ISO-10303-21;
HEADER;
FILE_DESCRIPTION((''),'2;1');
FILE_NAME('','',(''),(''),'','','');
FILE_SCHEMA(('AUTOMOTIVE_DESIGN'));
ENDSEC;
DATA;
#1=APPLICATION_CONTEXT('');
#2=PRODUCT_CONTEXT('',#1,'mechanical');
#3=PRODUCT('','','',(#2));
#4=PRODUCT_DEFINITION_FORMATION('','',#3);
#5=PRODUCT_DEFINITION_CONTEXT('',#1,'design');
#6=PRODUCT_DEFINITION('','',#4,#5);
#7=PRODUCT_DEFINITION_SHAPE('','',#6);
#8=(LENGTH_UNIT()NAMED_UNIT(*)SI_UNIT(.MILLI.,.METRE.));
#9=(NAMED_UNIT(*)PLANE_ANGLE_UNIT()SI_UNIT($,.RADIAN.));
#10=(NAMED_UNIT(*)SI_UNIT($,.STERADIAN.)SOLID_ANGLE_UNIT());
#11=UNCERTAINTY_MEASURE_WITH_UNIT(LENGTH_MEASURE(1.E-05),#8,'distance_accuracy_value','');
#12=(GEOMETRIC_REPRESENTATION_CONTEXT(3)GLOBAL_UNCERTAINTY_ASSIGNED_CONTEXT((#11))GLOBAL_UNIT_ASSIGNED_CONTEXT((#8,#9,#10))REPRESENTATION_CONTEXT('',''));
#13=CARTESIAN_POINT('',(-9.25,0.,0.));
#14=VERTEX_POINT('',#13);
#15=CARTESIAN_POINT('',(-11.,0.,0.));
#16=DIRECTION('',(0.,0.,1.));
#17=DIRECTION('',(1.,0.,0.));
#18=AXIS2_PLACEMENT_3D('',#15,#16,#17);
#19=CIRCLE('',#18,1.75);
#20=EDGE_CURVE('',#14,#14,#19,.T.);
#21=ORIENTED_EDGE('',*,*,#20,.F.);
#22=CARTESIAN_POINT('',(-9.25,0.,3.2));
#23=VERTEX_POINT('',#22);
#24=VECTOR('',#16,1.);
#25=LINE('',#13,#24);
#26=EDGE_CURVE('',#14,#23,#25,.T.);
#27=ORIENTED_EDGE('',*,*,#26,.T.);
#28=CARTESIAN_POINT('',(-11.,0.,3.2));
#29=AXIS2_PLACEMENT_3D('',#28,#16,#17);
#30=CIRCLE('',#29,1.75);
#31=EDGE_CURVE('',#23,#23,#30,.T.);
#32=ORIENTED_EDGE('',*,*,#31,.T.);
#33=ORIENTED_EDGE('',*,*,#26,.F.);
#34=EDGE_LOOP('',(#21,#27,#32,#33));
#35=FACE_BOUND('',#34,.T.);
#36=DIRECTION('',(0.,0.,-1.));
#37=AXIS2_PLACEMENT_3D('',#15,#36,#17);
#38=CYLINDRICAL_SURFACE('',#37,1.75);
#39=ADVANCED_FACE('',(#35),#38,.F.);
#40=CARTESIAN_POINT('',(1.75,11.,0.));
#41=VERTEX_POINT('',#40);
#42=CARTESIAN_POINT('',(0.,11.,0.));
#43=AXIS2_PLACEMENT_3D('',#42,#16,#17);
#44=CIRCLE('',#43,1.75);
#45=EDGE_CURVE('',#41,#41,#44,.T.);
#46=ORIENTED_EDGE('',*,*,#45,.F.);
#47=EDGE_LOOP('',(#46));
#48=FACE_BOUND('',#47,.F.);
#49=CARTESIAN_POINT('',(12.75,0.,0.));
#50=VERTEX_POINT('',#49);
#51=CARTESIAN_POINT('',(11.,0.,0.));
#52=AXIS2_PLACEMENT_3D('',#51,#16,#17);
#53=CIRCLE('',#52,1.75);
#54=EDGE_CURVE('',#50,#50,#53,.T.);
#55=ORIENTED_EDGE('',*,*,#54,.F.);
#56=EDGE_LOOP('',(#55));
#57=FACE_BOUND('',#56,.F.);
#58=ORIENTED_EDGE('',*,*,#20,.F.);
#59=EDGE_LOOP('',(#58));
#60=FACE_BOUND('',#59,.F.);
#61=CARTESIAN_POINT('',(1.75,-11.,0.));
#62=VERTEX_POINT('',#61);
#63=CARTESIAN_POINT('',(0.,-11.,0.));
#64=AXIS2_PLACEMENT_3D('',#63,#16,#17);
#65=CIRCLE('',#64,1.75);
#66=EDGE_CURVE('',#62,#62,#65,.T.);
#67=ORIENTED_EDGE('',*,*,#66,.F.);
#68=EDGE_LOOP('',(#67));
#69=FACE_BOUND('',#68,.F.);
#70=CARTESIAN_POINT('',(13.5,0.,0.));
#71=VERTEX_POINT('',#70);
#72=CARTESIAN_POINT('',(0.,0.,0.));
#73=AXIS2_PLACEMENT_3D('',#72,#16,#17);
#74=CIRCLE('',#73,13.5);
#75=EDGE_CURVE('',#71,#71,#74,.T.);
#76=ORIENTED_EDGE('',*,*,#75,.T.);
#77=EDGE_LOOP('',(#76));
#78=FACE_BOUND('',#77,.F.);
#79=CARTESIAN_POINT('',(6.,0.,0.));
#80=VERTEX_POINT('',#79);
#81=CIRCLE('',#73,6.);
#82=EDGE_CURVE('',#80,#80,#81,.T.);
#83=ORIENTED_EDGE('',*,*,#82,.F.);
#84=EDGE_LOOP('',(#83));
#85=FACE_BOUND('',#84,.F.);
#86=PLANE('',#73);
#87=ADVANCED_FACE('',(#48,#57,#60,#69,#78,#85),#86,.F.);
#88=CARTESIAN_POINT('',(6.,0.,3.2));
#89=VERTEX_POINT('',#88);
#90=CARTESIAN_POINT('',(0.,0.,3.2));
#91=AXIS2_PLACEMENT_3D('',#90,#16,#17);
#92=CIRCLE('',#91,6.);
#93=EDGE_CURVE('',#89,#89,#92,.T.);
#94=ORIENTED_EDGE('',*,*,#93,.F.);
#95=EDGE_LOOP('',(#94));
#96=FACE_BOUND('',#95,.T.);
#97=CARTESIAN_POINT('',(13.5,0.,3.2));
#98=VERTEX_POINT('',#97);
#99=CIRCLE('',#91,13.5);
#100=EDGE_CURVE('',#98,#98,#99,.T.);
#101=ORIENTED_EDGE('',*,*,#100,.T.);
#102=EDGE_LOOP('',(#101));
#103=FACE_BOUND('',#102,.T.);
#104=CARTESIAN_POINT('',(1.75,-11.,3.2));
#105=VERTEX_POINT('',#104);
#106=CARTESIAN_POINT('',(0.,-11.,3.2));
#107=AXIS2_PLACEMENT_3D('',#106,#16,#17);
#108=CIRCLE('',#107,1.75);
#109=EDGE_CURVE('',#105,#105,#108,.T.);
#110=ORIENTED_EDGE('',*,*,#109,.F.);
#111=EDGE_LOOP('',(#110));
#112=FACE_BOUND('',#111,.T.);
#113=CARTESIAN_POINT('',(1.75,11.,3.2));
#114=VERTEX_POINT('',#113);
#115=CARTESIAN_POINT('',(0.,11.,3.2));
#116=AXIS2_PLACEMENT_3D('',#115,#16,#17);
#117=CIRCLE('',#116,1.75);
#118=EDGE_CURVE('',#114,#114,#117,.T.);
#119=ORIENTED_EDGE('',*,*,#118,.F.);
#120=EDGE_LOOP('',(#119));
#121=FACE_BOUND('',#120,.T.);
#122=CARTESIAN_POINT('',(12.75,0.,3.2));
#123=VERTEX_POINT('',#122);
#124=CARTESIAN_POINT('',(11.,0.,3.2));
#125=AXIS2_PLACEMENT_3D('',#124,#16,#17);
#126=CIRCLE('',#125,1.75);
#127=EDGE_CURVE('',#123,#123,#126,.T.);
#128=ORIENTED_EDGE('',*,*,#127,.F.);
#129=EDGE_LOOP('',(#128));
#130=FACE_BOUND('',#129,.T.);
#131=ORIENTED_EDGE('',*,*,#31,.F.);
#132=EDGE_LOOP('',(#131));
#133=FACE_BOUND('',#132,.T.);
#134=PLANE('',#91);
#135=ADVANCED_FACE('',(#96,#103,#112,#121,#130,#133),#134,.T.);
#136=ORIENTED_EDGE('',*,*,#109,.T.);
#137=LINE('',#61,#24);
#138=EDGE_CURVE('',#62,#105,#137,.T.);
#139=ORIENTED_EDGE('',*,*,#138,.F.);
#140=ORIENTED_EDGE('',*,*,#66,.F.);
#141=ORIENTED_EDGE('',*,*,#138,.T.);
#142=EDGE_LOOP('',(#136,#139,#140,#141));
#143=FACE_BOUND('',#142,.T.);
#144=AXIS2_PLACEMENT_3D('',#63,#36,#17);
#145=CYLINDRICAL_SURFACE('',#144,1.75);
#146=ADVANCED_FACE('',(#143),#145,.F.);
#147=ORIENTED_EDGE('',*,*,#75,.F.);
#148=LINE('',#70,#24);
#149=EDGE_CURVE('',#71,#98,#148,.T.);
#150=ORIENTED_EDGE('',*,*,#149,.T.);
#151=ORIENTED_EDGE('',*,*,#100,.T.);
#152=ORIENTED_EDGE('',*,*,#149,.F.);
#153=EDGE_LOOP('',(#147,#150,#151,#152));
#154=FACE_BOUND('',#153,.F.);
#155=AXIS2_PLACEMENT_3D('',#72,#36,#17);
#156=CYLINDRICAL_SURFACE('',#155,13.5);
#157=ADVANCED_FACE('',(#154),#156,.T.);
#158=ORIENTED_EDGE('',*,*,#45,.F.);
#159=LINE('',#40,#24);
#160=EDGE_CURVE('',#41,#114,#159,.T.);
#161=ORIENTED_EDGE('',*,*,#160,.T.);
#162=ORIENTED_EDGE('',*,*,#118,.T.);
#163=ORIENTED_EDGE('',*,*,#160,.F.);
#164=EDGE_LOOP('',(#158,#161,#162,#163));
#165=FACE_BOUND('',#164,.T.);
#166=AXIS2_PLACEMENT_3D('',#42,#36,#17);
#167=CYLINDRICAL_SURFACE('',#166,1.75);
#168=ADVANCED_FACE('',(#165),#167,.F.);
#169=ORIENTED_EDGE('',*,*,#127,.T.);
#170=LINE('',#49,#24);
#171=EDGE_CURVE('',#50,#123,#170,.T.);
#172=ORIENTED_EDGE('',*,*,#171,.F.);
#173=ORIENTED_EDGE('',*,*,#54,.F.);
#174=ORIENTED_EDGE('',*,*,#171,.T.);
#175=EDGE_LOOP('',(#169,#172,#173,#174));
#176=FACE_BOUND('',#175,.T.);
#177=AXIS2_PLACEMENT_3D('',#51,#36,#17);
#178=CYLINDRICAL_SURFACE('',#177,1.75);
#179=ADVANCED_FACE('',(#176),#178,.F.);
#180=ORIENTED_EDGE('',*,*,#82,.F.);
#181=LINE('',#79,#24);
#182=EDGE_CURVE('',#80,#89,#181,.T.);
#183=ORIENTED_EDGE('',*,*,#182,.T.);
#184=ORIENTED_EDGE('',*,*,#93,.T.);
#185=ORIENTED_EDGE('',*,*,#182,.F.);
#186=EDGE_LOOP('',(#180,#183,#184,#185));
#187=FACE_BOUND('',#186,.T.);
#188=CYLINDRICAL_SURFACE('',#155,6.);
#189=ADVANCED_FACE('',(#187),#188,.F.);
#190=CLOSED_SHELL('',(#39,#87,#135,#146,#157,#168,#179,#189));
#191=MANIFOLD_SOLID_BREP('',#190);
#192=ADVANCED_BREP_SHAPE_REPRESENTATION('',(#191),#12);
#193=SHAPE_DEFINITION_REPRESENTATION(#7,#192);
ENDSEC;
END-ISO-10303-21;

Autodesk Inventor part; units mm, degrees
ref_plane "YZ Plane" through (0, 0, 0) normal (1, 0, 0) x (0, 1, 0)
ref_plane "XZ Plane" through (0, 0, 0) normal (0, 1, 0) x (-1, 0, 0)
ref_plane "XY Plane" through (0, 0, 0) normal (0, 0, 1) x (1, 0, 0)
sketch "スケッチ1" plane through (0, 0, 0) normal (0, 0, 1) x (1, 0, 0)
  circle A0 centre (0, 0) radius 12.8 projected
  circle A1 centre (0, 11) radius 1.35 projected
  circle A2 centre (7.7782, 7.7782) radius 1.35 projected
  circle A3 centre (11, 0) radius 1.35 projected
  circle A4 centre (7.7782, -7.7782) radius 1.35 projected
  circle A5 centre (0, -11) radius 1.35 projected
  circle A6 centre (-7.7782, -7.7782) radius 1.35 projected
  circle A7 centre (-11, 0) radius 1.35 projected
  circle A8 centre (-7.7782, 7.7782) radius 1.35 projected
  circle A9 centre (0, 0) radius 5 projected
  circle A10 centre (0, 8) radius 1 projected
  circle A11 centre (-8, 0) radius 1 projected
  circle A12 centre (8, 0) radius 1 projected
  circle A13 centre (0, -8) radius 1 projected
  circle A14 centre (0, 0) radius 6
  circle A15 centre (0, 0) radius 13.5
  circle A16 centre (0, 11) radius 1.75
  circle A17 centre (-11, 0) radius 1.75
  circle A18 centre (0, -11) radius 1.75
  circle A19 centre (11, 0) radius 1.75
  point P0 (0, 0)
  dimension "d0" = 12
  dimension "d1" = 27
  dimension "d2" = 3.5
  dimension "d3" = 3.5
  dimension "d4" = 3.5
  dimension "d5" = 3.5
extrude "押し出し1" add sketch "スケッチ1" along normal blind 3.2 contours A0 | A2 | A4 | A6 | A8 | A10 | A11 | A12 | A13 | A15
